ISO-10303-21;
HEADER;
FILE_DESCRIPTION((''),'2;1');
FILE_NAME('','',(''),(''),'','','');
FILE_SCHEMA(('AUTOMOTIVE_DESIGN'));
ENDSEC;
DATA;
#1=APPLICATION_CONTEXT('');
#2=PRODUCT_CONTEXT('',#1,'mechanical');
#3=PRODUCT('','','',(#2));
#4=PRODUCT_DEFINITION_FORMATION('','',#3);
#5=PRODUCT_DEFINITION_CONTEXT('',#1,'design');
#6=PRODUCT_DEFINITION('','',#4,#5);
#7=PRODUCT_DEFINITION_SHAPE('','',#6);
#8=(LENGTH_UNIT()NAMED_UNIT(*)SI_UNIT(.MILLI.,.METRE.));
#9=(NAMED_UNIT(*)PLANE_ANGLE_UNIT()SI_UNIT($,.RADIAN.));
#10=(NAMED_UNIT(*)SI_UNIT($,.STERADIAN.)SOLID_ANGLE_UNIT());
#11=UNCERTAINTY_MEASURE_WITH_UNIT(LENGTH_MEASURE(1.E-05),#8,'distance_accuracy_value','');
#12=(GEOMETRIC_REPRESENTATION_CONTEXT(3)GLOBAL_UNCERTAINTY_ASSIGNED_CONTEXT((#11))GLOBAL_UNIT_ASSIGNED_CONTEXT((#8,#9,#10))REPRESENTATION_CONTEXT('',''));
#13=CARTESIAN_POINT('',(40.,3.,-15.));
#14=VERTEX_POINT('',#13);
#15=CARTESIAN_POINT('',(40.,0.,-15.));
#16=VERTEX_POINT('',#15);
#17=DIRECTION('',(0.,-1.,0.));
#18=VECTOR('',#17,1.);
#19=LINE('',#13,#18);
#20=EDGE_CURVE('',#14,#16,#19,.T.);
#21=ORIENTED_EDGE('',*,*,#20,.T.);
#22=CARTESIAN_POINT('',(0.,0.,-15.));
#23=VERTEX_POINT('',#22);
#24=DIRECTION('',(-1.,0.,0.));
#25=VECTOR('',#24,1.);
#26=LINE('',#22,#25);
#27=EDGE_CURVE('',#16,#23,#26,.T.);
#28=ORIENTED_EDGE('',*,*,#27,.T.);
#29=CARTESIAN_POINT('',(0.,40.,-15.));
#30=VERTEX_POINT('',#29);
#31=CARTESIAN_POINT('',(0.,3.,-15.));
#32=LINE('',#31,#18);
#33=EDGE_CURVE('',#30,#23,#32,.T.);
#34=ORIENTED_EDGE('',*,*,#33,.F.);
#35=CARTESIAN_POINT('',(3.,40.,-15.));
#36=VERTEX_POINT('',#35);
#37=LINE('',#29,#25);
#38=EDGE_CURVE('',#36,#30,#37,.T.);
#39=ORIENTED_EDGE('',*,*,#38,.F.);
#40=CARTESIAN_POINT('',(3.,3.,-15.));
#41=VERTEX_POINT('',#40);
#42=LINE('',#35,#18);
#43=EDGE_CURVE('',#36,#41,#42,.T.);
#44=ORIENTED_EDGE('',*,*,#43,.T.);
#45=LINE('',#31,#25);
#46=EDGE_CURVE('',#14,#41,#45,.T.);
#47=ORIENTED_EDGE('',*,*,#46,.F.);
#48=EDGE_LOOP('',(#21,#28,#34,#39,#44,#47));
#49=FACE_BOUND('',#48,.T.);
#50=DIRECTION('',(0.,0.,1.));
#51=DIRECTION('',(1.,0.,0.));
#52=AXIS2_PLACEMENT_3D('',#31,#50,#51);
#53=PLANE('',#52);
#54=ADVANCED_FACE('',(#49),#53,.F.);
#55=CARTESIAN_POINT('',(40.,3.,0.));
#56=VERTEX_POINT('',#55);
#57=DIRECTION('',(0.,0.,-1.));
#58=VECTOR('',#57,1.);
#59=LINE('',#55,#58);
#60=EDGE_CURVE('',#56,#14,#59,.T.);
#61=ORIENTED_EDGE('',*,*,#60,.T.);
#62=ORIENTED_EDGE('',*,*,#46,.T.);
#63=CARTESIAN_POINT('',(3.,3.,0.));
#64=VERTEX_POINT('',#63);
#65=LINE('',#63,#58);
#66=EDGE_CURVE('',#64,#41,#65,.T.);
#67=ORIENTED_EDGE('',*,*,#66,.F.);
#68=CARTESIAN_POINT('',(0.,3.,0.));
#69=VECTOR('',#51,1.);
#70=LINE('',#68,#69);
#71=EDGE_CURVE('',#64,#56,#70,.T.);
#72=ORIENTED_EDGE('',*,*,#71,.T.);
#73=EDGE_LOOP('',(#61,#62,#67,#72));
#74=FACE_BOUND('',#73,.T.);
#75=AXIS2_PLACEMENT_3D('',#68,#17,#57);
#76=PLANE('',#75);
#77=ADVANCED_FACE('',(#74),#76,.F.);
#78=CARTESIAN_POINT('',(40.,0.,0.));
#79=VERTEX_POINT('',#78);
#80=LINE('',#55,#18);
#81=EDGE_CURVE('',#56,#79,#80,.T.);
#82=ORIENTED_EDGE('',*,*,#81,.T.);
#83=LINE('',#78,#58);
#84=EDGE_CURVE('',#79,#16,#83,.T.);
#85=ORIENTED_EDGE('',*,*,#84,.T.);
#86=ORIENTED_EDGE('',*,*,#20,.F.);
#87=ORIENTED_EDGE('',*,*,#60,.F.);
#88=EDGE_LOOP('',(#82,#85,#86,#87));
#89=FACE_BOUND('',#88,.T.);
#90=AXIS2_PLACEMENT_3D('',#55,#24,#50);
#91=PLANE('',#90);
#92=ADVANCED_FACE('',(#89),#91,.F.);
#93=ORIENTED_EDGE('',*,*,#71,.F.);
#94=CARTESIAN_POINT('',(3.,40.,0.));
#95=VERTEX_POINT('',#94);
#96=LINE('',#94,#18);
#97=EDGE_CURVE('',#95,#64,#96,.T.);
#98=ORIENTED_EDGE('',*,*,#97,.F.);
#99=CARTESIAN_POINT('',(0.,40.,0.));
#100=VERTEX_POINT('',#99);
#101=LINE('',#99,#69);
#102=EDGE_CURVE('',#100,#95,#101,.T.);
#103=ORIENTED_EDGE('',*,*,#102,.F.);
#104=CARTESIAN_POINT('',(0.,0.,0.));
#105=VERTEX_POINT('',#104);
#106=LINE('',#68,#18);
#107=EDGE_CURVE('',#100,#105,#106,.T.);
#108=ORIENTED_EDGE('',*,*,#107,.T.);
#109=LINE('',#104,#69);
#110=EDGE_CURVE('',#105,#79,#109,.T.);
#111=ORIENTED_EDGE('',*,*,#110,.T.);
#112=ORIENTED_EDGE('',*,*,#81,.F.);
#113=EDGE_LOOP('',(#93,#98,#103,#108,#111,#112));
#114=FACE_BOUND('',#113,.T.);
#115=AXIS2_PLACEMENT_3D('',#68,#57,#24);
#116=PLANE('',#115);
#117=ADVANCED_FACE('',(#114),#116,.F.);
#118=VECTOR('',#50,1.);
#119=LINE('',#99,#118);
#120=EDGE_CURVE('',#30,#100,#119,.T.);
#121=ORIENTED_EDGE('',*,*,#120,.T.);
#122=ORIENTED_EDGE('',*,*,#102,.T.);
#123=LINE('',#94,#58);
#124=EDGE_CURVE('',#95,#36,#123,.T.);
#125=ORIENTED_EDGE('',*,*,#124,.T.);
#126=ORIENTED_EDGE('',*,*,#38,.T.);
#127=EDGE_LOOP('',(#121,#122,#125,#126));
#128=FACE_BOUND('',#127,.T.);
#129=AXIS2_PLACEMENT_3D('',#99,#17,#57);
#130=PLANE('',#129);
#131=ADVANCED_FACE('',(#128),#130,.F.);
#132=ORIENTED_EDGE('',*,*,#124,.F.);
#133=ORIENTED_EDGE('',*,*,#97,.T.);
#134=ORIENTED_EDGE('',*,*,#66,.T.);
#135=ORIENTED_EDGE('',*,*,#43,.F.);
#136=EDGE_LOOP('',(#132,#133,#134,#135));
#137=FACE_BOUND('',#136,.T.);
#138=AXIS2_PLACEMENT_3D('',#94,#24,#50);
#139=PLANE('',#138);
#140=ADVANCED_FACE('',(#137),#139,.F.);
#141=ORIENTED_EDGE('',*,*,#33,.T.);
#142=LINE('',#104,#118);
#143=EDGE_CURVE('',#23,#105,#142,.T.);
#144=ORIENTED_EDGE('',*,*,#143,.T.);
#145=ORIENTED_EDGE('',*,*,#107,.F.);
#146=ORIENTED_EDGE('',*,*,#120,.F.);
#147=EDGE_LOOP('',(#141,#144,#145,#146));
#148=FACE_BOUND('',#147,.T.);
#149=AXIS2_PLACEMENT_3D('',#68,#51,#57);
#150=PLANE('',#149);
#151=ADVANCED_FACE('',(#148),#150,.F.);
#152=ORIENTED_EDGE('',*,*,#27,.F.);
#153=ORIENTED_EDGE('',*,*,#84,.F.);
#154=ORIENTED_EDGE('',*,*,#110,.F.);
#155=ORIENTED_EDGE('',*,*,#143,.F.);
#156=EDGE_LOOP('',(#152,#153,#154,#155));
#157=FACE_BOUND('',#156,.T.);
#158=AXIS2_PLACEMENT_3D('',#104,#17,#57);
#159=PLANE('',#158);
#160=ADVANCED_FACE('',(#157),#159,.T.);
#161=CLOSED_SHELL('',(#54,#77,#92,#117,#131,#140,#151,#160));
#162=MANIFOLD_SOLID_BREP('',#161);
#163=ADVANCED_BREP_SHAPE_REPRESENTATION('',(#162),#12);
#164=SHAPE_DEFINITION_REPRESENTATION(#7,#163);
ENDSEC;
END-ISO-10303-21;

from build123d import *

# Parameters (mm, degrees)
SKETCH1_W           = 40
SKETCH1_H           = 15
BOSS_EXTRUDE1_DEPTH = 3
SKETCH2_W           = 3
SKETCH2_H           = 15
BOSS_EXTRUDE2_DEPTH = 37


with BuildPart() as part:
    # Sketch1 → Boss-Extrude1 (new body)
    with BuildSketch(Plane(origin=(0, 0, 0), x_dir=(1, 0, 0), z_dir=(0, 1, 0))):
        with Locations((20, 7.5)):
            Rectangle(SKETCH1_W, SKETCH1_H)
    extrude(amount=BOSS_EXTRUDE1_DEPTH)

    # Sketch2 → Boss-Extrude2 (add)
    with BuildSketch(Plane(origin=(0, 3, 0), x_dir=(1, 0, 0), z_dir=(0, 1, 0))):
        with Locations((1.5, 7.5)):
            Rectangle(SKETCH2_W, SKETCH2_H)
    extrude(amount=BOSS_EXTRUDE2_DEPTH)


solid = part.part
